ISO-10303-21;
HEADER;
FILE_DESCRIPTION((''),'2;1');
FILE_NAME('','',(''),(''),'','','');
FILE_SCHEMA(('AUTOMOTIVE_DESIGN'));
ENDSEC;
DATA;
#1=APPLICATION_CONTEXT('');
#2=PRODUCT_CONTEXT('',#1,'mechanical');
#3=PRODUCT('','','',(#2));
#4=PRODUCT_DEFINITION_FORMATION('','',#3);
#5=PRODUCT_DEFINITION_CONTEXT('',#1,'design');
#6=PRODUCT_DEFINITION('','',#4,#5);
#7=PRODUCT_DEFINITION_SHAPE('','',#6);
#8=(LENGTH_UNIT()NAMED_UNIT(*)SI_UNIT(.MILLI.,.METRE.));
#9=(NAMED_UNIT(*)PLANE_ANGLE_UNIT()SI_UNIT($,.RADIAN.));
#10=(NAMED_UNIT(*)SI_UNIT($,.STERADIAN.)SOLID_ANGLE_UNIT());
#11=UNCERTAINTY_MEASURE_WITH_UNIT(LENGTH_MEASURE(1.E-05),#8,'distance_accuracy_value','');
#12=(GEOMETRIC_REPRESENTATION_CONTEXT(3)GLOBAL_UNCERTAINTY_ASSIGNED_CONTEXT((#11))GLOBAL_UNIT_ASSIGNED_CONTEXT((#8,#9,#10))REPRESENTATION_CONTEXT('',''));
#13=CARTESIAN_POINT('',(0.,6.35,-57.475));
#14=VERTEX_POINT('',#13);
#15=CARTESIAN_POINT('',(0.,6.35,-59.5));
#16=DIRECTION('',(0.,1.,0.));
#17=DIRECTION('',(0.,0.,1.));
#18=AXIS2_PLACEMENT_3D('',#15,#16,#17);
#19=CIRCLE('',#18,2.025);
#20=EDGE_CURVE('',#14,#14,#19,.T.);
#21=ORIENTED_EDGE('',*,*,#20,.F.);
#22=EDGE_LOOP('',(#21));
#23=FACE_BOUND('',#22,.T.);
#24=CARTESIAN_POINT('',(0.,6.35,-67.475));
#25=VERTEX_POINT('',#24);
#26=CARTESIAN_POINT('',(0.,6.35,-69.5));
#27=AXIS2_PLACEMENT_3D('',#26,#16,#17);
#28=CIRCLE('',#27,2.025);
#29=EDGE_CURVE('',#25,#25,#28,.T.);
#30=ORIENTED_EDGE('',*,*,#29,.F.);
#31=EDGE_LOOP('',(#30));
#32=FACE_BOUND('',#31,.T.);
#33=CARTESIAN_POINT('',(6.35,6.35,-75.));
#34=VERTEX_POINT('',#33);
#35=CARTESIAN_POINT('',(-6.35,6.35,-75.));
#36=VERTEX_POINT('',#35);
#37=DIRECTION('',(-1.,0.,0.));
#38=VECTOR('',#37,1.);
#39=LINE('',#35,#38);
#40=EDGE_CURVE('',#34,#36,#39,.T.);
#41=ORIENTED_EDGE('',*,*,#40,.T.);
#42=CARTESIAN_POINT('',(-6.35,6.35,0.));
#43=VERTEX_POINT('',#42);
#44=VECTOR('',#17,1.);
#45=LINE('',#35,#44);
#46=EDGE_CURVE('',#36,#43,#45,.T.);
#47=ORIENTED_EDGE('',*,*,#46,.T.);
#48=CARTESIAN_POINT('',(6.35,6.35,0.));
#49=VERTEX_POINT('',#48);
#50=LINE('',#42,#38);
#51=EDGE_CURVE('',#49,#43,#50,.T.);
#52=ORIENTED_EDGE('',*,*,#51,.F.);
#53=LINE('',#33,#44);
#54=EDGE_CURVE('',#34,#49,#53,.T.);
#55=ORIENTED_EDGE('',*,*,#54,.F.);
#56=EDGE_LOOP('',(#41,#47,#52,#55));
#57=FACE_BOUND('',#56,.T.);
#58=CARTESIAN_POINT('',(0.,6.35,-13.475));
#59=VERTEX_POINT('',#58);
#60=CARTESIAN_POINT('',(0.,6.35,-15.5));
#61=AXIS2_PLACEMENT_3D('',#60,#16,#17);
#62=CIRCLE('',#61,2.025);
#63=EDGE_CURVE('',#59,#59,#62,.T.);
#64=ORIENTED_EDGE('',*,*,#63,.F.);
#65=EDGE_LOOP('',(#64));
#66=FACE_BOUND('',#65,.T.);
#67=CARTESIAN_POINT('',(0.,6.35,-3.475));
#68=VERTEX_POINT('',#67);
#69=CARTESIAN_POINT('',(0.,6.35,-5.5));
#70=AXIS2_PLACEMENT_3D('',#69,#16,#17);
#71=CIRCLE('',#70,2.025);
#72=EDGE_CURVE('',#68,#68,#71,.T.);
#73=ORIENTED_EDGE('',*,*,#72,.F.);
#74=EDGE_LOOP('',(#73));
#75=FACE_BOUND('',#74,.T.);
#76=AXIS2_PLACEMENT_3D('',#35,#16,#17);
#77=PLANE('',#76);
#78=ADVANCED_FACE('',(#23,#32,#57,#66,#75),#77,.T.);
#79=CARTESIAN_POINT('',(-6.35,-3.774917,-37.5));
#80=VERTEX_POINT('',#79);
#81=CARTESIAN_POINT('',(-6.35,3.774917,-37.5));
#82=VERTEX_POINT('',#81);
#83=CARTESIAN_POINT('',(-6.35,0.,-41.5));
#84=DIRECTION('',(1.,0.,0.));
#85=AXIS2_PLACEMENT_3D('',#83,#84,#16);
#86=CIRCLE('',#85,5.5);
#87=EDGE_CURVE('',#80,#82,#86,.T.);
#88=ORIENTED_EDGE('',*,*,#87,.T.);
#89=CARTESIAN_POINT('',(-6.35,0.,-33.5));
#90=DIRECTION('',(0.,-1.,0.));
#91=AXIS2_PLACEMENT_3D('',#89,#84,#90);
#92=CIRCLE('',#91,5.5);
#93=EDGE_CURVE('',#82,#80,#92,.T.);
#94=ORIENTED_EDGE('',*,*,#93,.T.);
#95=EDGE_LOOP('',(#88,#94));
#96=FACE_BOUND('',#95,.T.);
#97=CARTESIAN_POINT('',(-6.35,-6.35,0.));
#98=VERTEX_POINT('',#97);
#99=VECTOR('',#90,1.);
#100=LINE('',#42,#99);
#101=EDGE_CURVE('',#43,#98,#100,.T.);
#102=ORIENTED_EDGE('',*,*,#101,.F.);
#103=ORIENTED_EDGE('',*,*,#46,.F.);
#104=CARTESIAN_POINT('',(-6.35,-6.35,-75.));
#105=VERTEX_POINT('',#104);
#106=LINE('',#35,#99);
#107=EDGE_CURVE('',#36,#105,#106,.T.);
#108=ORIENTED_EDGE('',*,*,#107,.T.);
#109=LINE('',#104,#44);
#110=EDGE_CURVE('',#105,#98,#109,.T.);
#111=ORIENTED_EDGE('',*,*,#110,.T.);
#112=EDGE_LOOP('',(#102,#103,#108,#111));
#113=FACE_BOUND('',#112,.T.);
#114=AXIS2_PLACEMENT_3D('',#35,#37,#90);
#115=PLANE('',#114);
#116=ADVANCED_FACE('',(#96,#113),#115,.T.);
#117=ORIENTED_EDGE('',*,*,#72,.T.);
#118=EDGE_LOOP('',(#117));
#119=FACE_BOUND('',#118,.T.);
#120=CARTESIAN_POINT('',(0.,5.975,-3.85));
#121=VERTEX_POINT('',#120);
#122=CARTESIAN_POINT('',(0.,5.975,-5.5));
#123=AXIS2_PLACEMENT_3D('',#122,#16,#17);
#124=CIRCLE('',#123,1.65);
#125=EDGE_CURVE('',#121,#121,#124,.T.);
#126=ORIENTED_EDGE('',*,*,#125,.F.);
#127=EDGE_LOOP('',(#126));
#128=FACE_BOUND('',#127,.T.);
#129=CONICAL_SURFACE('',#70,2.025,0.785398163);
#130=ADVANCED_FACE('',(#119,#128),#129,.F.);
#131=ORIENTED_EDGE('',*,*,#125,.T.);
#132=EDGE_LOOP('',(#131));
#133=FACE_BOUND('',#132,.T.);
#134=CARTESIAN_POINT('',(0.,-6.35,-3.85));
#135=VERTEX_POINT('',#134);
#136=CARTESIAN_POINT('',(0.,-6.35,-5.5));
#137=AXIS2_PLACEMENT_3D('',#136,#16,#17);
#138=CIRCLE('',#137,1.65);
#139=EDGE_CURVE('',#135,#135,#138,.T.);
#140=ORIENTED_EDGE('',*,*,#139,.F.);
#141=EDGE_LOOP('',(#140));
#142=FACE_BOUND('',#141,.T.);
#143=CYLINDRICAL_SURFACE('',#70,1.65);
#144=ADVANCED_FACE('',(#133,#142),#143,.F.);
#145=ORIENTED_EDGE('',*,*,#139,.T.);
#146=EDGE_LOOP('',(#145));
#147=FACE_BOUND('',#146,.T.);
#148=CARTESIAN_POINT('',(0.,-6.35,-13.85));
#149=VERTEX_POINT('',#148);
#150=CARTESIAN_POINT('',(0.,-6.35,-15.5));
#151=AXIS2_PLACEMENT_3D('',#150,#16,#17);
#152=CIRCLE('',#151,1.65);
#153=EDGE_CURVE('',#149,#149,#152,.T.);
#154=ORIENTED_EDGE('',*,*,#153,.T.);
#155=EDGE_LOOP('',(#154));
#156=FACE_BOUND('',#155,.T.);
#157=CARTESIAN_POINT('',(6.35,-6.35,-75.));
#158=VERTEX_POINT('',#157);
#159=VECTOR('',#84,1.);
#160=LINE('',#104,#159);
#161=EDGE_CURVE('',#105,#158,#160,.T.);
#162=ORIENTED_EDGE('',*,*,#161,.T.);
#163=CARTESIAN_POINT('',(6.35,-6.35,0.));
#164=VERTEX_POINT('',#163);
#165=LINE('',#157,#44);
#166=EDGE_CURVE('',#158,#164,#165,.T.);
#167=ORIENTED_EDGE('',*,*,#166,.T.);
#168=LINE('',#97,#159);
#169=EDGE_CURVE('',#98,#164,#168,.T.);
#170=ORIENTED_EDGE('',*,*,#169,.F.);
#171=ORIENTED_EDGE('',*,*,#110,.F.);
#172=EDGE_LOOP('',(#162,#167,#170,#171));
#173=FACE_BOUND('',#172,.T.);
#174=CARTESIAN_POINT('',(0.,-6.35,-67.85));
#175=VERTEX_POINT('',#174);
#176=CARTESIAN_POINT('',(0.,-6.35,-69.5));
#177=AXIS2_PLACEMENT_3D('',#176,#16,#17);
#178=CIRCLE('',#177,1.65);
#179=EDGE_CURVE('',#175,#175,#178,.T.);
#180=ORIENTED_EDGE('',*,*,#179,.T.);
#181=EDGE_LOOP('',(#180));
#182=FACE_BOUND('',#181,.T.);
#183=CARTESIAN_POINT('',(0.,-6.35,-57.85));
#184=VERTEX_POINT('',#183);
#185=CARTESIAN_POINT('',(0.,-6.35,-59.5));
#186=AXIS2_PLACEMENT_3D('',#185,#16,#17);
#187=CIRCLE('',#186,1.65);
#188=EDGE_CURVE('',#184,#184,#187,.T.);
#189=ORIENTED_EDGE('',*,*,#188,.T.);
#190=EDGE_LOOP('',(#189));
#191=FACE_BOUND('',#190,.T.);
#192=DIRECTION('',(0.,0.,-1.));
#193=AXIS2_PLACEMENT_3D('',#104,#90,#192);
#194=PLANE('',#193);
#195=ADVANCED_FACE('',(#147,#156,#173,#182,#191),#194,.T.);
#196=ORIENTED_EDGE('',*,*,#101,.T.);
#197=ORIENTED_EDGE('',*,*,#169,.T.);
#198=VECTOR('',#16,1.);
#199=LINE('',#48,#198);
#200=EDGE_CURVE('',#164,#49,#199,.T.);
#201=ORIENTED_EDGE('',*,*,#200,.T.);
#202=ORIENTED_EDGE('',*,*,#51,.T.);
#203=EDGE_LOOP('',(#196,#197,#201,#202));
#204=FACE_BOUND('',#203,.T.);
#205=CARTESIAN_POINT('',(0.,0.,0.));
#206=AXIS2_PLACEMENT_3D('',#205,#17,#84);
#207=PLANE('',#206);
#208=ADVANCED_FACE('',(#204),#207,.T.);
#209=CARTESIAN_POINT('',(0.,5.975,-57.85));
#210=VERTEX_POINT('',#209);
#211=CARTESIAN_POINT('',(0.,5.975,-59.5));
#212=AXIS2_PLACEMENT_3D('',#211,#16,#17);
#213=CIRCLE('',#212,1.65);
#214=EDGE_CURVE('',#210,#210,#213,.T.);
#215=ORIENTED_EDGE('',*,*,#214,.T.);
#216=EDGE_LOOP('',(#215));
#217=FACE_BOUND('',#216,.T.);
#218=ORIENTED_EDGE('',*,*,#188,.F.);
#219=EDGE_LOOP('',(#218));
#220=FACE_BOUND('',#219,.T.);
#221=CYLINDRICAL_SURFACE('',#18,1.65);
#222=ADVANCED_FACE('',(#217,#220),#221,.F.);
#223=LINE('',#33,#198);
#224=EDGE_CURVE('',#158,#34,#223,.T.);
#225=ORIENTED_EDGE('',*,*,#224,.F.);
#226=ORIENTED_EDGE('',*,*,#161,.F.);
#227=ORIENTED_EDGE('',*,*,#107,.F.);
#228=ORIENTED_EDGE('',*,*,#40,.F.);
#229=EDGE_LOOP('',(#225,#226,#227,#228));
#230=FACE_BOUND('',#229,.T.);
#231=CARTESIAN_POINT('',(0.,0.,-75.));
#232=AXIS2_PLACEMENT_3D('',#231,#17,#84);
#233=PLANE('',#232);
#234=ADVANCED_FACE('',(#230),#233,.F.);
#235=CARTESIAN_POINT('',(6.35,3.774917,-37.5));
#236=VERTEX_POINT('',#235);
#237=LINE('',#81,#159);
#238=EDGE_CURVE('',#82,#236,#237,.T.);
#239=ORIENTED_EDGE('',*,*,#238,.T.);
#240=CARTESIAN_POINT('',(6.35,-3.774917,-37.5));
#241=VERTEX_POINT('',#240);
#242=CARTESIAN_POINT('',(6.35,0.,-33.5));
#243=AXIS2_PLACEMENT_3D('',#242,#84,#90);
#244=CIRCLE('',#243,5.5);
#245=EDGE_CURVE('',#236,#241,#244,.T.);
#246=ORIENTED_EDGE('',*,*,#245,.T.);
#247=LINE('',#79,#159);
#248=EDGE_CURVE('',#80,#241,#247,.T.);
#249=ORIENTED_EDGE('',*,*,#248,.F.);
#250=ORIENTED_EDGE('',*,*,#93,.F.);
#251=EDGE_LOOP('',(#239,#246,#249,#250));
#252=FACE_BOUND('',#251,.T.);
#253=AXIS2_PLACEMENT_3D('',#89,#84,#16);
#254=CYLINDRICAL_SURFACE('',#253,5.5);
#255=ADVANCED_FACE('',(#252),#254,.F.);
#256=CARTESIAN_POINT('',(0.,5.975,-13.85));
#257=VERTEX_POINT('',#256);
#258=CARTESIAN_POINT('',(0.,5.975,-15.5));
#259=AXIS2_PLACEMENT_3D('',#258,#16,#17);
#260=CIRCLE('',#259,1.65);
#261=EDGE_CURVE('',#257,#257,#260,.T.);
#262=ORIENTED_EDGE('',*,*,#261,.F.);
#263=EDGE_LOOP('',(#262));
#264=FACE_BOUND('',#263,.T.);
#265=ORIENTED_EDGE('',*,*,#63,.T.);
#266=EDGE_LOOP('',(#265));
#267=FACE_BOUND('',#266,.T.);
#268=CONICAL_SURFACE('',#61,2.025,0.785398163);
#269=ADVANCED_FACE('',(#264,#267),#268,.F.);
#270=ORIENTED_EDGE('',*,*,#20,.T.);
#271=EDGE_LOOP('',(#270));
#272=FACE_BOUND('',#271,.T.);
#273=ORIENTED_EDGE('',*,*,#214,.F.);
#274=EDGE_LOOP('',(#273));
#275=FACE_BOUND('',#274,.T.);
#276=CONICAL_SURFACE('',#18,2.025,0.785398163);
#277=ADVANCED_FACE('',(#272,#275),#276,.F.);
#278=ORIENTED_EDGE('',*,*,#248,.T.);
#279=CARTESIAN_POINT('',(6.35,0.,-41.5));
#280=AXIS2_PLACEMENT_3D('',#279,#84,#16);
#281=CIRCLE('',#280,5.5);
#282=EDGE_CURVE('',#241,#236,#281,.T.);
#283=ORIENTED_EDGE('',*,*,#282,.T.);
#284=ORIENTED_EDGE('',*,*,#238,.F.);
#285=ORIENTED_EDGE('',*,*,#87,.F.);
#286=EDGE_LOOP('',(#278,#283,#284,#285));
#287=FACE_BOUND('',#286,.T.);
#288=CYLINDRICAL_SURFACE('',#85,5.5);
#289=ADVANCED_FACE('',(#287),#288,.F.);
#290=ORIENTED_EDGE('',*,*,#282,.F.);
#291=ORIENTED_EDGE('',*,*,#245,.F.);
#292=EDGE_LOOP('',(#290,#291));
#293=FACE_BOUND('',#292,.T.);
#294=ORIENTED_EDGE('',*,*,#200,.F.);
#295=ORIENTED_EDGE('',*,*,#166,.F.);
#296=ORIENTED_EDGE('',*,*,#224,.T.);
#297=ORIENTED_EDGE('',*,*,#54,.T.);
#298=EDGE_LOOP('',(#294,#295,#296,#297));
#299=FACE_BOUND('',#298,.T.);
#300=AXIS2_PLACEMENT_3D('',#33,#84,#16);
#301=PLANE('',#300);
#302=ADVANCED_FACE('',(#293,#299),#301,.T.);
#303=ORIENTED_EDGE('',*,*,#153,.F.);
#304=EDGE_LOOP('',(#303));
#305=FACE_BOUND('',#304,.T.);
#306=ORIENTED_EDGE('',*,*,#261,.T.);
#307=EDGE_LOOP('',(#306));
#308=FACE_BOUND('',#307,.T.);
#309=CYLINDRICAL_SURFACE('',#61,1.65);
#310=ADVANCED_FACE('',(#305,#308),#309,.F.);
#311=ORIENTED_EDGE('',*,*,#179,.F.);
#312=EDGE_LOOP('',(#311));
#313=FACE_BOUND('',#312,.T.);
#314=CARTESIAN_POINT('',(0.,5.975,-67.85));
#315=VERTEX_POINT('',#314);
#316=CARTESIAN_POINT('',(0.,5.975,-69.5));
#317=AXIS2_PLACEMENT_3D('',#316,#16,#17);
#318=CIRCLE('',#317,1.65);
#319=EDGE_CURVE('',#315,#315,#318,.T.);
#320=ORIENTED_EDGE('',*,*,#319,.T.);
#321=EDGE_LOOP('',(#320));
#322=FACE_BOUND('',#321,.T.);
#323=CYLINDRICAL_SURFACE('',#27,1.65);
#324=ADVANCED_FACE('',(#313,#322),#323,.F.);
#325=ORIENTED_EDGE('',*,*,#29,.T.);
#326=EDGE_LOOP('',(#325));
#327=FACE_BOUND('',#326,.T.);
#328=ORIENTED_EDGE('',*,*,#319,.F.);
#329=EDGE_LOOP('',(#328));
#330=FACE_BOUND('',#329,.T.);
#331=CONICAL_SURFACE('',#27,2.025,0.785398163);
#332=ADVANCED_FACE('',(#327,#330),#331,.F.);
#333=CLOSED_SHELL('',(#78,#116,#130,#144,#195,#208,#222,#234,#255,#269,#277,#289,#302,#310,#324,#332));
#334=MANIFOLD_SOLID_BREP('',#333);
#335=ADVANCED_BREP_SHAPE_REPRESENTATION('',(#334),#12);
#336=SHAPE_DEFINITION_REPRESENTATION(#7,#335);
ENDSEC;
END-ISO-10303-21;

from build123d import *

# Parameters (mm, degrees)
ESBO_O2_W                       = 12.7
ESBO_O2_H                       = 12.7
RESSALTO_EXTRUS_O2_DEPTH        = 75
CORTE_EXTRUS_O1_DEPTH           = 77.33225072
FURO_ROSCADO_DE_M41_D           = 3.3
FURO_ROSCADO_DE_M41_CSINK_D     = 4.05
FURO_ROSCADO_DE_M41_CSINK_ANGLE = 90


with BuildPart() as part:
    # Esboço2 → Ressalto-extrusão2 (new body)
    with BuildSketch(Plane.XY):
        Rectangle(ESBO_O2_W, ESBO_O2_H)
    extrude(amount=-RESSALTO_EXTRUS_O2_DEPTH)

    # Esboço3 → Corte-extrusão1 (cut, through all)
    with BuildSketch(Plane(origin=(6.35, 0, 0), x_dir=(0, 0, -1), z_dir=(1, 0, 0))):
        with BuildLine():
            ThreePointArc((37.5, -3.774917218), (47, 0), (37.5, 3.774917218))
            ThreePointArc((37.5, 3.774917218), (28, 0), (37.5, -3.774917218))
        make_face()
    extrude(amount=-CORTE_EXTRUS_O1_DEPTH, mode=Mode.SUBTRACT)

    # Furo roscado de M41 (through all)
    with Locations(Plane(origin=(0, 6.35, 0), x_dir=(1, 0, 0), z_dir=(0, 1, 0))):
        with Locations((0, 5.5), (0, 15.5), (0, 59.5), (0, 69.5)):
            CounterSinkHole(FURO_ROSCADO_DE_M41_D / 2, FURO_ROSCADO_DE_M41_CSINK_D / 2, counter_sink_angle=FURO_ROSCADO_DE_M41_CSINK_ANGLE)


solid = part.part
